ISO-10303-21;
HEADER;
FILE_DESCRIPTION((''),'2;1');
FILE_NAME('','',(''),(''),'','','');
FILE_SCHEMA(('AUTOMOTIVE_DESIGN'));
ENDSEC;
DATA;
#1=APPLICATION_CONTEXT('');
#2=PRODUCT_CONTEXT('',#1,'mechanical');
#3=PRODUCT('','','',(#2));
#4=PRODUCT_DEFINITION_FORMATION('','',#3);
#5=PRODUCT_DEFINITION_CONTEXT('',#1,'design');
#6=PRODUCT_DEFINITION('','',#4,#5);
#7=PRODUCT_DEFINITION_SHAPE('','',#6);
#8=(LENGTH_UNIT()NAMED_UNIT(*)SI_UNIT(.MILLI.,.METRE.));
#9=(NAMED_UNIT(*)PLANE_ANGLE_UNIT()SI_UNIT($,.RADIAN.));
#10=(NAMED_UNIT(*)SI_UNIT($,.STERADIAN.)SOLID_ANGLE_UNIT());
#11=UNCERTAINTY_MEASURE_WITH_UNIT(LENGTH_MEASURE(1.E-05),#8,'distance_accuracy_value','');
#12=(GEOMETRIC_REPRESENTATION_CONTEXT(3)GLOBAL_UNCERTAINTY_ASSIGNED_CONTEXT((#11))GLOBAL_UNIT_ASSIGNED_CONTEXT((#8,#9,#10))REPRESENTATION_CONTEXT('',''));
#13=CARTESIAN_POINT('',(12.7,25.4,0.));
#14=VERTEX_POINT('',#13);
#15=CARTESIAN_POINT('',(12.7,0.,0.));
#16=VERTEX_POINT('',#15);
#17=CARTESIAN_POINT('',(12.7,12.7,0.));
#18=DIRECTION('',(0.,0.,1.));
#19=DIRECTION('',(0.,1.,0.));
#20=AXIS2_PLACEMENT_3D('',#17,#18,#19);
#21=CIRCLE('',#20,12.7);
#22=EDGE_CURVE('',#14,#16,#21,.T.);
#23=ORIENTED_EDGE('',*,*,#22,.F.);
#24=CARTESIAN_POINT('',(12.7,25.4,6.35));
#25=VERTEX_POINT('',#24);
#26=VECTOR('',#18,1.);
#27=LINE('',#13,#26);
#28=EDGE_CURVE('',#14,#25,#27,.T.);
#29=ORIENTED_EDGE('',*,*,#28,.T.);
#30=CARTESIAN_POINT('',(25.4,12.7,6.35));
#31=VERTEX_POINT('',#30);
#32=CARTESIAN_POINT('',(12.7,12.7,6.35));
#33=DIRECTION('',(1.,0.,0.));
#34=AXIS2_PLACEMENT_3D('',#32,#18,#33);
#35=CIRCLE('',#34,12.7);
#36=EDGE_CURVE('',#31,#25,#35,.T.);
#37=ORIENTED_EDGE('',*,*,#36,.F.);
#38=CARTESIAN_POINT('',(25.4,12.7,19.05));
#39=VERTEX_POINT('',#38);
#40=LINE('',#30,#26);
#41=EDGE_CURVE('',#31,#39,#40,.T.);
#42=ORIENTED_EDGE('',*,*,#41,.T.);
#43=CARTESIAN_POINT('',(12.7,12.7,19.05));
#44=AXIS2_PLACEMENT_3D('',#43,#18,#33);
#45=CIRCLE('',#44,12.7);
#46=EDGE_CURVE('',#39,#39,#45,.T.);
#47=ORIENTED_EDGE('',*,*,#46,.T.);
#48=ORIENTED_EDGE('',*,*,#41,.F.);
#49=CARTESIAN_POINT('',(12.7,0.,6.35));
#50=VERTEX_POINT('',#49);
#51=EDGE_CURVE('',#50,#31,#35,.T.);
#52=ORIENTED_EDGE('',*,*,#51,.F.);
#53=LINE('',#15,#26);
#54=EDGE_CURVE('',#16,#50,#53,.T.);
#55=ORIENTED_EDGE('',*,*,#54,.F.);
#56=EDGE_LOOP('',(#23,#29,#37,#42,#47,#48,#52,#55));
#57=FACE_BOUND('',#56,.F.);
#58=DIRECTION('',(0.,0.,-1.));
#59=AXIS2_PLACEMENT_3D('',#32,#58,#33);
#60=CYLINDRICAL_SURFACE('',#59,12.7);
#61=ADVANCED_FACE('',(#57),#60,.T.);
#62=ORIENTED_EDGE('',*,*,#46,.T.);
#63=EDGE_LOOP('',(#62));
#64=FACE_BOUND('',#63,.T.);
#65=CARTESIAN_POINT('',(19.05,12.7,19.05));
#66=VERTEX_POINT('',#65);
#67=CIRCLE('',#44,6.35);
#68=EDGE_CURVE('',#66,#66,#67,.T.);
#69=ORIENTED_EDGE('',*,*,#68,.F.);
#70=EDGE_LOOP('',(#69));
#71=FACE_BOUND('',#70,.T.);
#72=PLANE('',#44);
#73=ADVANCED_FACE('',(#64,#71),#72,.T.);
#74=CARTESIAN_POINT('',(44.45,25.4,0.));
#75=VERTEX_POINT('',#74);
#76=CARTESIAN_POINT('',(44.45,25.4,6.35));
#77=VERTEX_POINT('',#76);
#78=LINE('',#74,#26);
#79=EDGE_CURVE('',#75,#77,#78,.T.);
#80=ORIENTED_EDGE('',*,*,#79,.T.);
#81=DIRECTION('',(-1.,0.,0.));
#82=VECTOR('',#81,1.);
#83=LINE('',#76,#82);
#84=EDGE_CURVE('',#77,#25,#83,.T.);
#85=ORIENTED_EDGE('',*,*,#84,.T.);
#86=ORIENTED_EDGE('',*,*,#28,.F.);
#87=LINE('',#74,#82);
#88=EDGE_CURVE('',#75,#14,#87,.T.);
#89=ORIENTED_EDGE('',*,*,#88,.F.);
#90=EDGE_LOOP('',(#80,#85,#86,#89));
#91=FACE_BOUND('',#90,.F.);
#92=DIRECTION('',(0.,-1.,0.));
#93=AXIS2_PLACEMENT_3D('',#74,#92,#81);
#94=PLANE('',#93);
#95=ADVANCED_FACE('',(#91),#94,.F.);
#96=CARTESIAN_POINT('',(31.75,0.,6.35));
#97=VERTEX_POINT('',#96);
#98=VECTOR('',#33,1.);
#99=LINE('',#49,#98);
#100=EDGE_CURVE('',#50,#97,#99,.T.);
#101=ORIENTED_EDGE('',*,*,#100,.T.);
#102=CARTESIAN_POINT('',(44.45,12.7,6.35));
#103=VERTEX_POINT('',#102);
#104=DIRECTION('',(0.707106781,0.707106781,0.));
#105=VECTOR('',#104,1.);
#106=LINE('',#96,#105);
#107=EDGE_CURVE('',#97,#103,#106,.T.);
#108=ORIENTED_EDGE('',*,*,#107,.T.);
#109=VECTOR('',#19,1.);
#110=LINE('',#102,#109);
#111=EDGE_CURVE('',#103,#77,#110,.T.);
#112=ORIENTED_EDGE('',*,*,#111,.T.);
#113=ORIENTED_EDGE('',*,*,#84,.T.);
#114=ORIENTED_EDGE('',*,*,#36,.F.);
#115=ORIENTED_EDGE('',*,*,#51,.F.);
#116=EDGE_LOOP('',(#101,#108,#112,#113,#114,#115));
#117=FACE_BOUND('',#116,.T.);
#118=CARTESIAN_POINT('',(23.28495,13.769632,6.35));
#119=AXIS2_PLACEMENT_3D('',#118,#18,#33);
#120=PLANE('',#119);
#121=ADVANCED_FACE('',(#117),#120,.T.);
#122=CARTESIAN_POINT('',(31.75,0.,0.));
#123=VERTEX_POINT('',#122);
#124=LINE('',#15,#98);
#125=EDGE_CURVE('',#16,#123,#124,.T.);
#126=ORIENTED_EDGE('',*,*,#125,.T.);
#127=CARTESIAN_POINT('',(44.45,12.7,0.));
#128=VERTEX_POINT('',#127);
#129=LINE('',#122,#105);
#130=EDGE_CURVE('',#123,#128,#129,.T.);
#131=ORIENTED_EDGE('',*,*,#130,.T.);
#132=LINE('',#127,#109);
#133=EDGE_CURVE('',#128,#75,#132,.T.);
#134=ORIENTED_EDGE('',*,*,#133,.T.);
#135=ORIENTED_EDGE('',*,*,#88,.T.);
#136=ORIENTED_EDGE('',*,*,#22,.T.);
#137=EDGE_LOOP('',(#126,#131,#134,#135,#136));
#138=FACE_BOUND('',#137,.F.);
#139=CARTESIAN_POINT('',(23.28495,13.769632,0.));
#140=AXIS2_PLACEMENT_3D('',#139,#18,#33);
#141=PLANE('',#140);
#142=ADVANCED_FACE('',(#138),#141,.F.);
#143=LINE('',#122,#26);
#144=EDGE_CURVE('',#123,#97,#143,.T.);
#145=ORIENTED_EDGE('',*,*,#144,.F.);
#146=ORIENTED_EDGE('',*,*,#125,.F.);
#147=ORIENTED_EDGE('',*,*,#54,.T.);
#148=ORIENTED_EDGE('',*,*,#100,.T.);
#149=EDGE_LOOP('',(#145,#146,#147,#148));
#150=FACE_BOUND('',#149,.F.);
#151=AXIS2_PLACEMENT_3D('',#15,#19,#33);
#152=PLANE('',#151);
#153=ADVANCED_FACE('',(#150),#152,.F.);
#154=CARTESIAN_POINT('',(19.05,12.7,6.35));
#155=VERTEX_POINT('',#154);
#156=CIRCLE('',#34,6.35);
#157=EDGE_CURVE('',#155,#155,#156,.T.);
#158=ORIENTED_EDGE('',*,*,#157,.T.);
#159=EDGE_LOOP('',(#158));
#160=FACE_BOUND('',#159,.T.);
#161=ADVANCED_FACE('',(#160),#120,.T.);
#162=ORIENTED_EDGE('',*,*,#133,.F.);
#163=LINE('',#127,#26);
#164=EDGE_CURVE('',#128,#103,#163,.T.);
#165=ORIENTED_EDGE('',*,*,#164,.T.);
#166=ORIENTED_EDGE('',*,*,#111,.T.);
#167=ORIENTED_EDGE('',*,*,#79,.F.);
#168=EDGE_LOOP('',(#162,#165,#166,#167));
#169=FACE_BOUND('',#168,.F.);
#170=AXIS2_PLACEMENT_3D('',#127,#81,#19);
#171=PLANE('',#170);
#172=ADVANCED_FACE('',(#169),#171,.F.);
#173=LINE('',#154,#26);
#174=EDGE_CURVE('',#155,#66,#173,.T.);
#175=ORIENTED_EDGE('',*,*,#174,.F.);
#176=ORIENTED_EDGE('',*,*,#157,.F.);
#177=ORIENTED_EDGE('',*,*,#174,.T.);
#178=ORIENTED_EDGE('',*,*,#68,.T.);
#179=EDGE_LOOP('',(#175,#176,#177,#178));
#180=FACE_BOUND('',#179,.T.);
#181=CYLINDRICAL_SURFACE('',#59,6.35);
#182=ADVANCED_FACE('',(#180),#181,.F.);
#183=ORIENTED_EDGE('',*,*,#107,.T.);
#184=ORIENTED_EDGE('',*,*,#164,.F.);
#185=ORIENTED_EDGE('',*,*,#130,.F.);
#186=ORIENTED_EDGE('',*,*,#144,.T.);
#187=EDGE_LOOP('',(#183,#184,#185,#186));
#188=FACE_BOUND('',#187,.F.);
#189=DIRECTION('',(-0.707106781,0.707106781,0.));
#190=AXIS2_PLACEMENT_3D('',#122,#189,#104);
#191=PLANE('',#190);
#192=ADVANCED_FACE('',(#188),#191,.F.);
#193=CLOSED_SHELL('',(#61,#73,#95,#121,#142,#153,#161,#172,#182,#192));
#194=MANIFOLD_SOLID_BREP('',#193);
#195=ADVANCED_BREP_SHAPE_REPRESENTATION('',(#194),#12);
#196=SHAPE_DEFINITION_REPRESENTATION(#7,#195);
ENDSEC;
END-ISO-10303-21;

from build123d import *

# Parameters (mm, degrees)
F1_DEPTH = 6.35
F2_R     = 12.7
F2_R_2   = 6.35
F3_DEPTH = 12.7


with BuildPart() as f1:
    # F0 (on Top) → F1 (new body)
    with BuildSketch(Plane.XY):
        with BuildLine():
            Line((44.45, 25.4), (12.7, 25.4))
            ThreePointArc((12.7, 25.4), (0, 12.7), (12.7, 0))
            Line((12.7, 0), (31.75, 0))
            Line((31.75, 0), (44.45, 12.7))
            Line((44.45, 12.7), (44.45, 25.4))
        make_face()
    extrude(amount=F1_DEPTH)

    # F2 (on face) → F3 (join)
    with BuildSketch(Plane.XY.offset(6.35)):
        with Locations((12.7, 12.7)):
            Circle(F2_R)
        with Locations((12.7, 12.7)):
            Circle(F2_R_2, mode=Mode.SUBTRACT)
    extrude(amount=F3_DEPTH)


solid = f1.part
